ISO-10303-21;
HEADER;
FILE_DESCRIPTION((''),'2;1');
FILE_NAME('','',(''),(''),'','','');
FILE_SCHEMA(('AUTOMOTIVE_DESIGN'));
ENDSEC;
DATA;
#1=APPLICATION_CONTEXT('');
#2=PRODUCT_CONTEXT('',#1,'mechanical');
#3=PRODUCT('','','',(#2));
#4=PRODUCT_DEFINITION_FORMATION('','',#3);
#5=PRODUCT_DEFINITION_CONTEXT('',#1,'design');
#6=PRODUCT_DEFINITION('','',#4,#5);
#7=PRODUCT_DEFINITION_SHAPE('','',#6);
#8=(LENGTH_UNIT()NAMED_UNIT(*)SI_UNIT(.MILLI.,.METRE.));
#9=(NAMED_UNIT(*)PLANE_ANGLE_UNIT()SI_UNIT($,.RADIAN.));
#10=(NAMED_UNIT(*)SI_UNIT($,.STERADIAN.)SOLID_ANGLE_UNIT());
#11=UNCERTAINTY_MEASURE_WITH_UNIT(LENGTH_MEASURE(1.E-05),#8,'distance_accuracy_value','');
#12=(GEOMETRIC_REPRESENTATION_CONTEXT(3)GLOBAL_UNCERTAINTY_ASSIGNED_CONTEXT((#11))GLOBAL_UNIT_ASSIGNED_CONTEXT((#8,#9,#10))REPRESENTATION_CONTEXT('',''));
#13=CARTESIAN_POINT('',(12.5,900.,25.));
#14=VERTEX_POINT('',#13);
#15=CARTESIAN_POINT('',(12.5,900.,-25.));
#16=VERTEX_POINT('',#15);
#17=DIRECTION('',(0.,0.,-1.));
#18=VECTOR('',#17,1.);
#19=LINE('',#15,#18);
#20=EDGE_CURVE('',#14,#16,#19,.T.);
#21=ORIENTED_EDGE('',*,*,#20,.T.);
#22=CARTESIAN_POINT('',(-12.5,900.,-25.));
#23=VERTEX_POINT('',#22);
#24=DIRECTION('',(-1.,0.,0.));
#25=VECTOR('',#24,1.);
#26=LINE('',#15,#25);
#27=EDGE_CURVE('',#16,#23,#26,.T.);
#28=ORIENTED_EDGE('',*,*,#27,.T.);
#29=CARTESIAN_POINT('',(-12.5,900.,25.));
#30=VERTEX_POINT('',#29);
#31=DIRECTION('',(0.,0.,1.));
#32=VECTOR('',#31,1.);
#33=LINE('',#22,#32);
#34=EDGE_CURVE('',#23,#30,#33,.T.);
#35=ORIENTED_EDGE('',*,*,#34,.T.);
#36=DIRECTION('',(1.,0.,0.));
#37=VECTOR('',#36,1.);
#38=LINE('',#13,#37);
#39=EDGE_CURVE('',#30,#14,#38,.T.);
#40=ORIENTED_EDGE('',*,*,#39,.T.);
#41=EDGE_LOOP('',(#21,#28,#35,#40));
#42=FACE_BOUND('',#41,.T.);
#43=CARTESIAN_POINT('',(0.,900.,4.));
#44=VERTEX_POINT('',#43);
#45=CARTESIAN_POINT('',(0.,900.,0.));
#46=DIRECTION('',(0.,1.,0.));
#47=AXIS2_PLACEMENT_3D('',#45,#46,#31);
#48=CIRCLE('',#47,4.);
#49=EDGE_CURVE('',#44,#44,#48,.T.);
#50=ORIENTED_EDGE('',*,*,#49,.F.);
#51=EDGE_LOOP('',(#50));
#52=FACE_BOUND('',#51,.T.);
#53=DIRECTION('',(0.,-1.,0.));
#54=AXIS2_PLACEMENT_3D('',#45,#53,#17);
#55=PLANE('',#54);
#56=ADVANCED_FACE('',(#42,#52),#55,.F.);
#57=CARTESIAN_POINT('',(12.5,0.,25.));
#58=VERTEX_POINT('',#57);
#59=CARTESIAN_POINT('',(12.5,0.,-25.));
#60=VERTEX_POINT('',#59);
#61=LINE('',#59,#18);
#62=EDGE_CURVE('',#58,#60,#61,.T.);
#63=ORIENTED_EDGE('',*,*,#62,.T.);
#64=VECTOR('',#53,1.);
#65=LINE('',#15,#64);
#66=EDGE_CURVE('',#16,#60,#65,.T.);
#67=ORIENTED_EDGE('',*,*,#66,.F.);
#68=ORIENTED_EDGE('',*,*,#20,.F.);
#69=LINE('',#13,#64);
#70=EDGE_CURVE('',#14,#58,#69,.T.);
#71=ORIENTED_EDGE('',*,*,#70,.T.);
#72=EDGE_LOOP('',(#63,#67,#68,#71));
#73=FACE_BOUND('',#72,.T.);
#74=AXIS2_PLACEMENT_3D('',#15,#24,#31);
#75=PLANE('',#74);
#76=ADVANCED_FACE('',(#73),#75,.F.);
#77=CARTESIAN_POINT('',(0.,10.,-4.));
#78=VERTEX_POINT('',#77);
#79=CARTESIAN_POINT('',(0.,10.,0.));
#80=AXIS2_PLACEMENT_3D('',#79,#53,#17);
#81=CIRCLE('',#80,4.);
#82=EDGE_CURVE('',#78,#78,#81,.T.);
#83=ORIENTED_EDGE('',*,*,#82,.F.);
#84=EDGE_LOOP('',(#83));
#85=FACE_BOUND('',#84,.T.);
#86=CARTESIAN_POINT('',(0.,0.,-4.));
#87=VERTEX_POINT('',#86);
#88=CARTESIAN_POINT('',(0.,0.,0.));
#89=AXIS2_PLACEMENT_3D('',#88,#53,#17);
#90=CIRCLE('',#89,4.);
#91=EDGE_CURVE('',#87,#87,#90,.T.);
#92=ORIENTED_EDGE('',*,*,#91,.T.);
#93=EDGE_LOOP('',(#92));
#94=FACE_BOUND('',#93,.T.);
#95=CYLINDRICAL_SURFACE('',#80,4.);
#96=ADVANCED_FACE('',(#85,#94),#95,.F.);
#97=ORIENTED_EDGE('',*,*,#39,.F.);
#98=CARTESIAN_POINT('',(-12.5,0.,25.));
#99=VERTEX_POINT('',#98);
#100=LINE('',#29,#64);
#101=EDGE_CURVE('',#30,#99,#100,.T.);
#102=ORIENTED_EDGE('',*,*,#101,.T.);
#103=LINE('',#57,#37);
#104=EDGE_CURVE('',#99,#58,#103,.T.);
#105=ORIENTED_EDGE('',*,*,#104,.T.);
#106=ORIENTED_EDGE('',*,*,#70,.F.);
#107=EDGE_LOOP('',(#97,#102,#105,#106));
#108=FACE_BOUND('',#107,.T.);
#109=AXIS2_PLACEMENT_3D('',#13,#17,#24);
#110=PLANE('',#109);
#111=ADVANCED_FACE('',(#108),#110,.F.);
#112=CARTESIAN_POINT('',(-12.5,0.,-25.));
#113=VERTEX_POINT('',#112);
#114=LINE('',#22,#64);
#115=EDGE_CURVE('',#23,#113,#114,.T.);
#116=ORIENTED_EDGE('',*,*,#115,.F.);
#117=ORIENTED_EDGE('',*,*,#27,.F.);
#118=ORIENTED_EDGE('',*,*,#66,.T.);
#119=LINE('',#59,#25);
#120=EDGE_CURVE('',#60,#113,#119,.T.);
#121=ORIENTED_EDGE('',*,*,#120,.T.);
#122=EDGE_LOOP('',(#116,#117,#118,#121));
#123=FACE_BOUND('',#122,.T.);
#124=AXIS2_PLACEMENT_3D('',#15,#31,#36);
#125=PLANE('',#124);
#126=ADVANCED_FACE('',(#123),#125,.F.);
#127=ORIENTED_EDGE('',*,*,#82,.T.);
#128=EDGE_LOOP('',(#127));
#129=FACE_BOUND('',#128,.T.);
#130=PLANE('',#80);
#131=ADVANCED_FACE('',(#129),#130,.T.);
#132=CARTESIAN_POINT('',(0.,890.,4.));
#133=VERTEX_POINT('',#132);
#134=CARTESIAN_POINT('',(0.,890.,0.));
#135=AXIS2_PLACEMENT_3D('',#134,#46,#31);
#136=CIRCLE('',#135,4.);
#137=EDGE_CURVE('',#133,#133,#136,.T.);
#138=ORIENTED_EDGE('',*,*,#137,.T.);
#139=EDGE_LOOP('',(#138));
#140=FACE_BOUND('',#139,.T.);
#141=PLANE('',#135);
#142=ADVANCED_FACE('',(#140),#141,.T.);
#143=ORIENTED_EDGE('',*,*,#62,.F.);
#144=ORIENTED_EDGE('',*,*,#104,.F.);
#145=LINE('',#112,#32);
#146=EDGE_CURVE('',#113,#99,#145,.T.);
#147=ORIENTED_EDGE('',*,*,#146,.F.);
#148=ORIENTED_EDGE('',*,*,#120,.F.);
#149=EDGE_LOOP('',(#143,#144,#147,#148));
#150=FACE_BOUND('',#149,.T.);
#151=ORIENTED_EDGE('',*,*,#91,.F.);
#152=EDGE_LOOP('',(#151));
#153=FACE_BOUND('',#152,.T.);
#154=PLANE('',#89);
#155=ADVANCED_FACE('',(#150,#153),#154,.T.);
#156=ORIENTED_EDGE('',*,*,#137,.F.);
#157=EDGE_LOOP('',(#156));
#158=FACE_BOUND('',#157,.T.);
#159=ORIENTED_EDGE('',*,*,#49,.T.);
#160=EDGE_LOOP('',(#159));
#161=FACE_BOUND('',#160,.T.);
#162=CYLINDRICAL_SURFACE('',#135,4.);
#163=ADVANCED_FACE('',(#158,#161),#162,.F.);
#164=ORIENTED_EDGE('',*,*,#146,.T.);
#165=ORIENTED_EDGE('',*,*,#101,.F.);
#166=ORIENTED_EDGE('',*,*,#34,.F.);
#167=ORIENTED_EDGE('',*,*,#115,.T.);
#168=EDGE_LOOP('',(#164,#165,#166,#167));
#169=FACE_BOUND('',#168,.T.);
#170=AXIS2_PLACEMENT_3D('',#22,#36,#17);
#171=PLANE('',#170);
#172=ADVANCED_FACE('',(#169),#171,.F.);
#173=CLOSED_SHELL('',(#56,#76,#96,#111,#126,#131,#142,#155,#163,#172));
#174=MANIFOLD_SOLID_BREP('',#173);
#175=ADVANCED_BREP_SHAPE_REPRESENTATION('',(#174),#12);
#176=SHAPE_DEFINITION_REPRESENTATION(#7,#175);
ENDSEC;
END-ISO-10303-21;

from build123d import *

# Parameters (mm, degrees)
SKETCH_1_W          = 25
SKETCH_1_H          = 50
EXTRUDE_1_DEPTH     = 900
SKETCH_2_R          = 4
CUT_EXTRUDE_1_DEPTH = 10
CUT_EXTRUDE_START   = -10
SKETCH_3_R          = 4
CUT_EXTRUDE_2_DEPTH = 10


with BuildPart() as part:
    # Эскиз1 → Бобышка-Вытянуть1 (new body)
    with BuildSketch(Plane(origin=(0, 0, 0), x_dir=(1, 0, 0), z_dir=(0, 1, 0))):
        Rectangle(SKETCH_1_W, SKETCH_1_H)
    extrude(amount=EXTRUDE_1_DEPTH)

    # Эскиз2 → Вырез-Вытянуть1 (cut)
    with BuildSketch(Plane.XZ):
        with Locations(Location((0, 0, 0), (0, 0, 270))):
            Circle(SKETCH_2_R)
    extrude(amount=-CUT_EXTRUDE_1_DEPTH, mode=Mode.SUBTRACT)

    # Эскиз3 → Вырез-Вытянуть2 (cut)
    with BuildSketch(Plane(origin=(0, 900, 0), x_dir=(1, 0, 0), z_dir=(0, 1, 0)).offset(CUT_EXTRUDE_START)):
        with Locations(Location((0, 0, 0), (0, 0, 90))):
            Circle(SKETCH_3_R)
    extrude(amount=CUT_EXTRUDE_2_DEPTH, mode=Mode.SUBTRACT)


solid = part.part
